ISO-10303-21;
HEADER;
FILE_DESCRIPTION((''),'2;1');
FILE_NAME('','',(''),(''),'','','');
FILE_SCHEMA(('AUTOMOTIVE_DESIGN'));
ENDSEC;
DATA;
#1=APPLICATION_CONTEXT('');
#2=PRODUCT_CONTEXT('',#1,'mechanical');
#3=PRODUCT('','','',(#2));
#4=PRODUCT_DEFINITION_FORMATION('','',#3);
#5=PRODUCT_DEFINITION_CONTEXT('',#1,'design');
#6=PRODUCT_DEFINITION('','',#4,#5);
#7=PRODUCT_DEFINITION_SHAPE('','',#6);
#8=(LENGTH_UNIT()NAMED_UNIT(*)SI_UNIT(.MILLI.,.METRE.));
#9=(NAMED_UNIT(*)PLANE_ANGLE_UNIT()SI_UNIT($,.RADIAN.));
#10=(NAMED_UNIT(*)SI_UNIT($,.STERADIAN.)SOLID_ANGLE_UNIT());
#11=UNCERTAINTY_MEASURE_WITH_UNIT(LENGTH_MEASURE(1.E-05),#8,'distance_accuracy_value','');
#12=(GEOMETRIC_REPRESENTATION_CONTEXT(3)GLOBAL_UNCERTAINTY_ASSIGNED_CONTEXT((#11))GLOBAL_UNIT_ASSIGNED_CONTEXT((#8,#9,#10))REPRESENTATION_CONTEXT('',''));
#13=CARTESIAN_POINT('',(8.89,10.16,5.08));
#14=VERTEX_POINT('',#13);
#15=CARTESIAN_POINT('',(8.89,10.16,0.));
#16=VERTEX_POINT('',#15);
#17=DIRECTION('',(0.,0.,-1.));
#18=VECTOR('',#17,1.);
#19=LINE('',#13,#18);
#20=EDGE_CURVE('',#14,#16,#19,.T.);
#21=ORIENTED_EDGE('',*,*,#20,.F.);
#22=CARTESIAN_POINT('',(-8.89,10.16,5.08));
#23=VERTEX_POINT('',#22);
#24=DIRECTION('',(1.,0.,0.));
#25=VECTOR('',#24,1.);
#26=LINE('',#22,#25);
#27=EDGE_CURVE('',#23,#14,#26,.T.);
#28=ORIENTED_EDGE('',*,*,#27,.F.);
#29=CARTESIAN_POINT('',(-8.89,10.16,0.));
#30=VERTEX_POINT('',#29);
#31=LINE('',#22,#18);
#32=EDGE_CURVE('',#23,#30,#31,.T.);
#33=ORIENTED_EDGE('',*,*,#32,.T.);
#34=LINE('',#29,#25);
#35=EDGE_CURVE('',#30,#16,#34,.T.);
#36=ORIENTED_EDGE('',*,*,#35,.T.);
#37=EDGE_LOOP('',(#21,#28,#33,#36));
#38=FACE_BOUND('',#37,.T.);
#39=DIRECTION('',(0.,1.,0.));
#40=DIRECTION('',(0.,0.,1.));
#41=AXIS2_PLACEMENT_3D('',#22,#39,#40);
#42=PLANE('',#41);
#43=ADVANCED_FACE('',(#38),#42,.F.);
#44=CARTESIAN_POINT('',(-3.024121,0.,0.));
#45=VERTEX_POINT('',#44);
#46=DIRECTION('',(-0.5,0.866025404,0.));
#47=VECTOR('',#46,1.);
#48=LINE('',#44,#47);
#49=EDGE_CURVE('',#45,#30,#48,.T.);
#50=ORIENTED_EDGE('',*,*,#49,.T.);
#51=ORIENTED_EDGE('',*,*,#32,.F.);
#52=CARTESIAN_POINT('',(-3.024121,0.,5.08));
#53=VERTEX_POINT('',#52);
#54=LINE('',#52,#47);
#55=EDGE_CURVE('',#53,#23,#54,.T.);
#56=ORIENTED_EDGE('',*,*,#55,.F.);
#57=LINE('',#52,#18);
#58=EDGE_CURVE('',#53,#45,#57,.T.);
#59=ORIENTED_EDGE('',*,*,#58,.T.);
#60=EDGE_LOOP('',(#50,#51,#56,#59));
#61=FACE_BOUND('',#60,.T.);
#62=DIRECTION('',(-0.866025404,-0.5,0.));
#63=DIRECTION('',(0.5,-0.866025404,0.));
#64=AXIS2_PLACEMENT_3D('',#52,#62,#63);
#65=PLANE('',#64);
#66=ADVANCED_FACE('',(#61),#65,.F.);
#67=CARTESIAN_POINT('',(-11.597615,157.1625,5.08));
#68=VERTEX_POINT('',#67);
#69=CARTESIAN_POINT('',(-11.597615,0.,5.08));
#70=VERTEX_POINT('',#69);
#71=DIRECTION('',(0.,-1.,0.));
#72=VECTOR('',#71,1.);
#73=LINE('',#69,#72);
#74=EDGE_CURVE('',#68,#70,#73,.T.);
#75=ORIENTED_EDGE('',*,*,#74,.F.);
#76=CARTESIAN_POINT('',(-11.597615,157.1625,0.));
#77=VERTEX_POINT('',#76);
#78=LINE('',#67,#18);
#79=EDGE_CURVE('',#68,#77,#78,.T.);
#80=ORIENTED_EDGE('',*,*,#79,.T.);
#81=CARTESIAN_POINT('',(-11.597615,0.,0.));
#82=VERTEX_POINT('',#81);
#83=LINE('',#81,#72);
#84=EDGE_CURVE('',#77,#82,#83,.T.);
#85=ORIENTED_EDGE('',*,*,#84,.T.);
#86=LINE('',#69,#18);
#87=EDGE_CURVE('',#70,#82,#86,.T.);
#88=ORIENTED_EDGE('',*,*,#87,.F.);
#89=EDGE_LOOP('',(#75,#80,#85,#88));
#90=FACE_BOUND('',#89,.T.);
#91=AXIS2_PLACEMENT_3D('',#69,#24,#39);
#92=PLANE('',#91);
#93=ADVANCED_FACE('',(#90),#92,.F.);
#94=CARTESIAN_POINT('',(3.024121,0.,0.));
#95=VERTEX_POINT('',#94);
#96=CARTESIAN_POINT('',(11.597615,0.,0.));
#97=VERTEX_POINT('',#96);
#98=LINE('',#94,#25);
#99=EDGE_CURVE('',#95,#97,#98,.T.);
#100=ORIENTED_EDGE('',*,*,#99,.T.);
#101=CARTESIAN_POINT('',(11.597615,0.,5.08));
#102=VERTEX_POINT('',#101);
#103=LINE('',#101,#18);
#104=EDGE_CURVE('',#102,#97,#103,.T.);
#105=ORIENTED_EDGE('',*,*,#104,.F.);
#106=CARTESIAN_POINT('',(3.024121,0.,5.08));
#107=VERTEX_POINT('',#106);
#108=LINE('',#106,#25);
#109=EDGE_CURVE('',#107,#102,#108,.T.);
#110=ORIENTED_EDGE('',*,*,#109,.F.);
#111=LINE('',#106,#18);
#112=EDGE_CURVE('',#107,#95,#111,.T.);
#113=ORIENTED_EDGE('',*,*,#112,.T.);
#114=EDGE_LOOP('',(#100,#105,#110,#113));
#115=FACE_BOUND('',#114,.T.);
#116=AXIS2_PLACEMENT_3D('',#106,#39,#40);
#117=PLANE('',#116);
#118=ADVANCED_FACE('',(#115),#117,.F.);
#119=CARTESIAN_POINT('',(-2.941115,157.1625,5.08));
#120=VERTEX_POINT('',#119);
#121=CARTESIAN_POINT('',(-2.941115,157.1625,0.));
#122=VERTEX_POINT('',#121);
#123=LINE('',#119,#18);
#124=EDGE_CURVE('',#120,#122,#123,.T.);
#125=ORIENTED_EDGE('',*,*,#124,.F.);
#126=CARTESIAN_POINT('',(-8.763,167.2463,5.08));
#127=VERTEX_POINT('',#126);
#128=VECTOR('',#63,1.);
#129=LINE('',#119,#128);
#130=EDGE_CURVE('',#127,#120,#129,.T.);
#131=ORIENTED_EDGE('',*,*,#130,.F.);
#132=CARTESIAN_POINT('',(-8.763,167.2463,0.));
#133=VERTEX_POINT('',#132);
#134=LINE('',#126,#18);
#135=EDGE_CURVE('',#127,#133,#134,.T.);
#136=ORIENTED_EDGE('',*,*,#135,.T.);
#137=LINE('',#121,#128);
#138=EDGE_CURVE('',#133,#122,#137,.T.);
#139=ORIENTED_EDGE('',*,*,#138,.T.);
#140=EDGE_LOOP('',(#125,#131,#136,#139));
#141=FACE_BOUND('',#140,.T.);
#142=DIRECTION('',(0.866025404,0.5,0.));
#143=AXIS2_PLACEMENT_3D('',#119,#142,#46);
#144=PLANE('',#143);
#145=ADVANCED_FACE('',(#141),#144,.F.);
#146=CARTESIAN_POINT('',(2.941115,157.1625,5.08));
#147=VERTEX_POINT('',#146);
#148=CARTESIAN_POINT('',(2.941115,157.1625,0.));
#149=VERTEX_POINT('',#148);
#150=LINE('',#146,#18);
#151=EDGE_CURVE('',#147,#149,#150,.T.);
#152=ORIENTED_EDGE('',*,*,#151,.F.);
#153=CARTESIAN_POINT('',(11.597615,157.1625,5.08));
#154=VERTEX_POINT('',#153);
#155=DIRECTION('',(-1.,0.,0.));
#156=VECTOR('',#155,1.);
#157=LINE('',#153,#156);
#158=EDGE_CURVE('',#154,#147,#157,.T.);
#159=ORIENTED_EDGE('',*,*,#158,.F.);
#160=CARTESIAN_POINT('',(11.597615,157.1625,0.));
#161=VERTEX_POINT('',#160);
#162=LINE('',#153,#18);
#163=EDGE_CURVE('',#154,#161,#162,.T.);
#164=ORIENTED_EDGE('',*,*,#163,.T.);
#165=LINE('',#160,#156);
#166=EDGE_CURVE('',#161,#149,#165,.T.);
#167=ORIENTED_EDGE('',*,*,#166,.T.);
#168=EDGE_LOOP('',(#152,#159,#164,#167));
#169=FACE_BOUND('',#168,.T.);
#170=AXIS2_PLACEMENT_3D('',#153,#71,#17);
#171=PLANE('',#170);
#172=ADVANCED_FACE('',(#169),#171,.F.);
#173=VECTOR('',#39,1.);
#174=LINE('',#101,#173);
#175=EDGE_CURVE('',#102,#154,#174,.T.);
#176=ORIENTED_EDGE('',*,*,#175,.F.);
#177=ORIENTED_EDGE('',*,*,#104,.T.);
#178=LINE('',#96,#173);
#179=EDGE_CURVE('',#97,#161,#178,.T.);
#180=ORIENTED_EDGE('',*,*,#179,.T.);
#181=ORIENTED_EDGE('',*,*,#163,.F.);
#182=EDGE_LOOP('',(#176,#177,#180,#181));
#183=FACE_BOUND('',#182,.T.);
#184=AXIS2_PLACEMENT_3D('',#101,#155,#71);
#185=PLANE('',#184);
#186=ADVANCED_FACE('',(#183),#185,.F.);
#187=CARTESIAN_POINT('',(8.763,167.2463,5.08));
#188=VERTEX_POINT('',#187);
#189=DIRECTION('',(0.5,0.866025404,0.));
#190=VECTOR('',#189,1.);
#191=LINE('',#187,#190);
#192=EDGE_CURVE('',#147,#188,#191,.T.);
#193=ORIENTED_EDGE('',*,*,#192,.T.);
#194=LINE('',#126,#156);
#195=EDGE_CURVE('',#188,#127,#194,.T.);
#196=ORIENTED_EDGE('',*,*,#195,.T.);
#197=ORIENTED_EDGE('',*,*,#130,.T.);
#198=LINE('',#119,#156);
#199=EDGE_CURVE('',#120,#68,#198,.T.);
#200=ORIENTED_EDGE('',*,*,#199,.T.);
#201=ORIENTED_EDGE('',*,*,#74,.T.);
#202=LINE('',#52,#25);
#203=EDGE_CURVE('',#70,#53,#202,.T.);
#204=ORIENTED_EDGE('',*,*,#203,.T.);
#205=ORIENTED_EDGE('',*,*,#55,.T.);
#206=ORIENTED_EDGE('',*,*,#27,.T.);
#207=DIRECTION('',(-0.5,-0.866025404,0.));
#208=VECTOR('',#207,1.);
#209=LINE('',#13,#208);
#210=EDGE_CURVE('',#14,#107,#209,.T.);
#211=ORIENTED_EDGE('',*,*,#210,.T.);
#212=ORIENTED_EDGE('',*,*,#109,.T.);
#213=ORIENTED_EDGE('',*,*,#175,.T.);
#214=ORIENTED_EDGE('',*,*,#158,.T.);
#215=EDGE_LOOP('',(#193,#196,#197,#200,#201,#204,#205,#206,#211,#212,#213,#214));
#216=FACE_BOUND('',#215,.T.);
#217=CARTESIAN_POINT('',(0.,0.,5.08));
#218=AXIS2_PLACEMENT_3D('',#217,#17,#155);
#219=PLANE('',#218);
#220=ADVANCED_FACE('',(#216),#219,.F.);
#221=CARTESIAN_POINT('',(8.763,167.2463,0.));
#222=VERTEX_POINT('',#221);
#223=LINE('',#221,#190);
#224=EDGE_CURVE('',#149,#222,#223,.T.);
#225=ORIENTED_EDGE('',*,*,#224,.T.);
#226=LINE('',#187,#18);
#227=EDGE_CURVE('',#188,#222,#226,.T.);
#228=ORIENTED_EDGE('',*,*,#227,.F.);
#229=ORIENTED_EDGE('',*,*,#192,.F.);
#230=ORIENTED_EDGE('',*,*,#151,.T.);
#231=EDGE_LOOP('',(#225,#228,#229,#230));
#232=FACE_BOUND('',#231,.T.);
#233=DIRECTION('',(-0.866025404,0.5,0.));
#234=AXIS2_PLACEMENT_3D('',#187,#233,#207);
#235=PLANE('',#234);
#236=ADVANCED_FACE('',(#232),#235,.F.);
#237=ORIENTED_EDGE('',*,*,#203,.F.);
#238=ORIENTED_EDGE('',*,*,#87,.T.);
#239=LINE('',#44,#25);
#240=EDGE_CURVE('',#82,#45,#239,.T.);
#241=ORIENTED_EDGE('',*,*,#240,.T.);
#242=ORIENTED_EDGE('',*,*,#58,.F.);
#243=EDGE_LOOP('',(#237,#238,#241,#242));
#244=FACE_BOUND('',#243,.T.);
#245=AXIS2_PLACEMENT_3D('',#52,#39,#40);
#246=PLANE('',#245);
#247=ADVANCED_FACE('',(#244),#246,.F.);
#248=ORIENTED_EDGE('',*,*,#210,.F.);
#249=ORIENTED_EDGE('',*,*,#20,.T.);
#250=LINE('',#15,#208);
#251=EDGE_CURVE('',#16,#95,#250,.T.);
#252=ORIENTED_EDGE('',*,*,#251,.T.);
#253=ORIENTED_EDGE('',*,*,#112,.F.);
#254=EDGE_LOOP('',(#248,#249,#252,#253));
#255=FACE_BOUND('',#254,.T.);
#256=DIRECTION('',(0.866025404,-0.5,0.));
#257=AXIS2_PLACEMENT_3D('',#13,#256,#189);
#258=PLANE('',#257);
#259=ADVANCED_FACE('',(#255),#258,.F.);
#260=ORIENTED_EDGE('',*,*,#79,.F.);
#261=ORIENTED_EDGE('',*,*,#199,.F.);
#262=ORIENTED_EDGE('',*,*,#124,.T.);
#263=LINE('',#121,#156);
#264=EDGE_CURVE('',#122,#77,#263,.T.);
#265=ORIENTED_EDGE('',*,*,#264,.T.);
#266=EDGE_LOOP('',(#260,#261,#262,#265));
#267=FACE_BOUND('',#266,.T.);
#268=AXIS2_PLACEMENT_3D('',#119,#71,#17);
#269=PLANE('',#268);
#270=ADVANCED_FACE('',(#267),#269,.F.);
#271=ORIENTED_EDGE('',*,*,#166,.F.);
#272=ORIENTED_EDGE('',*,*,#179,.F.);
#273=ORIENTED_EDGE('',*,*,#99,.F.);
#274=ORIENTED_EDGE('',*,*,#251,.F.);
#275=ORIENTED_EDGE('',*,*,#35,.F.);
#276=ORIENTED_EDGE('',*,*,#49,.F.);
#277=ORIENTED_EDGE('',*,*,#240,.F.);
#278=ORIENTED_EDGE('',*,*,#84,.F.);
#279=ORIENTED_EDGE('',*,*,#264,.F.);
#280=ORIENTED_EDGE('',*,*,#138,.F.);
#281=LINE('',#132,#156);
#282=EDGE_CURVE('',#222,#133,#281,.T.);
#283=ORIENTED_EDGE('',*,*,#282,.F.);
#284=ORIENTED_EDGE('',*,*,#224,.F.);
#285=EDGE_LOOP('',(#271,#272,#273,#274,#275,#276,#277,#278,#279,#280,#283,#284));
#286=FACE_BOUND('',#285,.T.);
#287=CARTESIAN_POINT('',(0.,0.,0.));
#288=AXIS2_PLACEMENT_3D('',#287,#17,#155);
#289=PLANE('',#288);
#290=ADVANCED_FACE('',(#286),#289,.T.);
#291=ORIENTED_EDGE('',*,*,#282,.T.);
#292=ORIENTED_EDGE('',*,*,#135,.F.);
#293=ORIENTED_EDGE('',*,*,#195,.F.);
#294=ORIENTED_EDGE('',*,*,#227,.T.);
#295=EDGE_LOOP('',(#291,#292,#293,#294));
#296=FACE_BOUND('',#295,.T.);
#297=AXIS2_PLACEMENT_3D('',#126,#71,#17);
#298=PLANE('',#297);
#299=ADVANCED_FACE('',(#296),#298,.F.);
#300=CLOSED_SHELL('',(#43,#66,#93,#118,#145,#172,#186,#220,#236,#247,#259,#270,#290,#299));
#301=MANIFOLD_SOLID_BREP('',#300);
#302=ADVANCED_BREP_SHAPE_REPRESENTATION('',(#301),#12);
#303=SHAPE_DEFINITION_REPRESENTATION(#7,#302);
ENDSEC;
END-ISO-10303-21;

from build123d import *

# Parameters (mm, degrees)
BOSS_EXTRUDE1_DEPTH = 5.08


with BuildPart() as part:
    # Sketch1 → Boss-Extrude1 (new body)
    with BuildSketch(Plane.XY):
        Polygon((-3.024121265, 0), (-8.89, 10.16), (8.89, 10.16), (3.024121265, 0), (11.5976146, 0), (11.5976146, 157.1625), (2.941115356, 157.1625), (8.763, 167.2463), (-8.763, 167.2463), (-2.941115356, 157.1625), (-11.5976146, 157.1625), (-11.5976146, 0), align=None)
    extrude(amount=BOSS_EXTRUDE1_DEPTH)


solid = part.part
